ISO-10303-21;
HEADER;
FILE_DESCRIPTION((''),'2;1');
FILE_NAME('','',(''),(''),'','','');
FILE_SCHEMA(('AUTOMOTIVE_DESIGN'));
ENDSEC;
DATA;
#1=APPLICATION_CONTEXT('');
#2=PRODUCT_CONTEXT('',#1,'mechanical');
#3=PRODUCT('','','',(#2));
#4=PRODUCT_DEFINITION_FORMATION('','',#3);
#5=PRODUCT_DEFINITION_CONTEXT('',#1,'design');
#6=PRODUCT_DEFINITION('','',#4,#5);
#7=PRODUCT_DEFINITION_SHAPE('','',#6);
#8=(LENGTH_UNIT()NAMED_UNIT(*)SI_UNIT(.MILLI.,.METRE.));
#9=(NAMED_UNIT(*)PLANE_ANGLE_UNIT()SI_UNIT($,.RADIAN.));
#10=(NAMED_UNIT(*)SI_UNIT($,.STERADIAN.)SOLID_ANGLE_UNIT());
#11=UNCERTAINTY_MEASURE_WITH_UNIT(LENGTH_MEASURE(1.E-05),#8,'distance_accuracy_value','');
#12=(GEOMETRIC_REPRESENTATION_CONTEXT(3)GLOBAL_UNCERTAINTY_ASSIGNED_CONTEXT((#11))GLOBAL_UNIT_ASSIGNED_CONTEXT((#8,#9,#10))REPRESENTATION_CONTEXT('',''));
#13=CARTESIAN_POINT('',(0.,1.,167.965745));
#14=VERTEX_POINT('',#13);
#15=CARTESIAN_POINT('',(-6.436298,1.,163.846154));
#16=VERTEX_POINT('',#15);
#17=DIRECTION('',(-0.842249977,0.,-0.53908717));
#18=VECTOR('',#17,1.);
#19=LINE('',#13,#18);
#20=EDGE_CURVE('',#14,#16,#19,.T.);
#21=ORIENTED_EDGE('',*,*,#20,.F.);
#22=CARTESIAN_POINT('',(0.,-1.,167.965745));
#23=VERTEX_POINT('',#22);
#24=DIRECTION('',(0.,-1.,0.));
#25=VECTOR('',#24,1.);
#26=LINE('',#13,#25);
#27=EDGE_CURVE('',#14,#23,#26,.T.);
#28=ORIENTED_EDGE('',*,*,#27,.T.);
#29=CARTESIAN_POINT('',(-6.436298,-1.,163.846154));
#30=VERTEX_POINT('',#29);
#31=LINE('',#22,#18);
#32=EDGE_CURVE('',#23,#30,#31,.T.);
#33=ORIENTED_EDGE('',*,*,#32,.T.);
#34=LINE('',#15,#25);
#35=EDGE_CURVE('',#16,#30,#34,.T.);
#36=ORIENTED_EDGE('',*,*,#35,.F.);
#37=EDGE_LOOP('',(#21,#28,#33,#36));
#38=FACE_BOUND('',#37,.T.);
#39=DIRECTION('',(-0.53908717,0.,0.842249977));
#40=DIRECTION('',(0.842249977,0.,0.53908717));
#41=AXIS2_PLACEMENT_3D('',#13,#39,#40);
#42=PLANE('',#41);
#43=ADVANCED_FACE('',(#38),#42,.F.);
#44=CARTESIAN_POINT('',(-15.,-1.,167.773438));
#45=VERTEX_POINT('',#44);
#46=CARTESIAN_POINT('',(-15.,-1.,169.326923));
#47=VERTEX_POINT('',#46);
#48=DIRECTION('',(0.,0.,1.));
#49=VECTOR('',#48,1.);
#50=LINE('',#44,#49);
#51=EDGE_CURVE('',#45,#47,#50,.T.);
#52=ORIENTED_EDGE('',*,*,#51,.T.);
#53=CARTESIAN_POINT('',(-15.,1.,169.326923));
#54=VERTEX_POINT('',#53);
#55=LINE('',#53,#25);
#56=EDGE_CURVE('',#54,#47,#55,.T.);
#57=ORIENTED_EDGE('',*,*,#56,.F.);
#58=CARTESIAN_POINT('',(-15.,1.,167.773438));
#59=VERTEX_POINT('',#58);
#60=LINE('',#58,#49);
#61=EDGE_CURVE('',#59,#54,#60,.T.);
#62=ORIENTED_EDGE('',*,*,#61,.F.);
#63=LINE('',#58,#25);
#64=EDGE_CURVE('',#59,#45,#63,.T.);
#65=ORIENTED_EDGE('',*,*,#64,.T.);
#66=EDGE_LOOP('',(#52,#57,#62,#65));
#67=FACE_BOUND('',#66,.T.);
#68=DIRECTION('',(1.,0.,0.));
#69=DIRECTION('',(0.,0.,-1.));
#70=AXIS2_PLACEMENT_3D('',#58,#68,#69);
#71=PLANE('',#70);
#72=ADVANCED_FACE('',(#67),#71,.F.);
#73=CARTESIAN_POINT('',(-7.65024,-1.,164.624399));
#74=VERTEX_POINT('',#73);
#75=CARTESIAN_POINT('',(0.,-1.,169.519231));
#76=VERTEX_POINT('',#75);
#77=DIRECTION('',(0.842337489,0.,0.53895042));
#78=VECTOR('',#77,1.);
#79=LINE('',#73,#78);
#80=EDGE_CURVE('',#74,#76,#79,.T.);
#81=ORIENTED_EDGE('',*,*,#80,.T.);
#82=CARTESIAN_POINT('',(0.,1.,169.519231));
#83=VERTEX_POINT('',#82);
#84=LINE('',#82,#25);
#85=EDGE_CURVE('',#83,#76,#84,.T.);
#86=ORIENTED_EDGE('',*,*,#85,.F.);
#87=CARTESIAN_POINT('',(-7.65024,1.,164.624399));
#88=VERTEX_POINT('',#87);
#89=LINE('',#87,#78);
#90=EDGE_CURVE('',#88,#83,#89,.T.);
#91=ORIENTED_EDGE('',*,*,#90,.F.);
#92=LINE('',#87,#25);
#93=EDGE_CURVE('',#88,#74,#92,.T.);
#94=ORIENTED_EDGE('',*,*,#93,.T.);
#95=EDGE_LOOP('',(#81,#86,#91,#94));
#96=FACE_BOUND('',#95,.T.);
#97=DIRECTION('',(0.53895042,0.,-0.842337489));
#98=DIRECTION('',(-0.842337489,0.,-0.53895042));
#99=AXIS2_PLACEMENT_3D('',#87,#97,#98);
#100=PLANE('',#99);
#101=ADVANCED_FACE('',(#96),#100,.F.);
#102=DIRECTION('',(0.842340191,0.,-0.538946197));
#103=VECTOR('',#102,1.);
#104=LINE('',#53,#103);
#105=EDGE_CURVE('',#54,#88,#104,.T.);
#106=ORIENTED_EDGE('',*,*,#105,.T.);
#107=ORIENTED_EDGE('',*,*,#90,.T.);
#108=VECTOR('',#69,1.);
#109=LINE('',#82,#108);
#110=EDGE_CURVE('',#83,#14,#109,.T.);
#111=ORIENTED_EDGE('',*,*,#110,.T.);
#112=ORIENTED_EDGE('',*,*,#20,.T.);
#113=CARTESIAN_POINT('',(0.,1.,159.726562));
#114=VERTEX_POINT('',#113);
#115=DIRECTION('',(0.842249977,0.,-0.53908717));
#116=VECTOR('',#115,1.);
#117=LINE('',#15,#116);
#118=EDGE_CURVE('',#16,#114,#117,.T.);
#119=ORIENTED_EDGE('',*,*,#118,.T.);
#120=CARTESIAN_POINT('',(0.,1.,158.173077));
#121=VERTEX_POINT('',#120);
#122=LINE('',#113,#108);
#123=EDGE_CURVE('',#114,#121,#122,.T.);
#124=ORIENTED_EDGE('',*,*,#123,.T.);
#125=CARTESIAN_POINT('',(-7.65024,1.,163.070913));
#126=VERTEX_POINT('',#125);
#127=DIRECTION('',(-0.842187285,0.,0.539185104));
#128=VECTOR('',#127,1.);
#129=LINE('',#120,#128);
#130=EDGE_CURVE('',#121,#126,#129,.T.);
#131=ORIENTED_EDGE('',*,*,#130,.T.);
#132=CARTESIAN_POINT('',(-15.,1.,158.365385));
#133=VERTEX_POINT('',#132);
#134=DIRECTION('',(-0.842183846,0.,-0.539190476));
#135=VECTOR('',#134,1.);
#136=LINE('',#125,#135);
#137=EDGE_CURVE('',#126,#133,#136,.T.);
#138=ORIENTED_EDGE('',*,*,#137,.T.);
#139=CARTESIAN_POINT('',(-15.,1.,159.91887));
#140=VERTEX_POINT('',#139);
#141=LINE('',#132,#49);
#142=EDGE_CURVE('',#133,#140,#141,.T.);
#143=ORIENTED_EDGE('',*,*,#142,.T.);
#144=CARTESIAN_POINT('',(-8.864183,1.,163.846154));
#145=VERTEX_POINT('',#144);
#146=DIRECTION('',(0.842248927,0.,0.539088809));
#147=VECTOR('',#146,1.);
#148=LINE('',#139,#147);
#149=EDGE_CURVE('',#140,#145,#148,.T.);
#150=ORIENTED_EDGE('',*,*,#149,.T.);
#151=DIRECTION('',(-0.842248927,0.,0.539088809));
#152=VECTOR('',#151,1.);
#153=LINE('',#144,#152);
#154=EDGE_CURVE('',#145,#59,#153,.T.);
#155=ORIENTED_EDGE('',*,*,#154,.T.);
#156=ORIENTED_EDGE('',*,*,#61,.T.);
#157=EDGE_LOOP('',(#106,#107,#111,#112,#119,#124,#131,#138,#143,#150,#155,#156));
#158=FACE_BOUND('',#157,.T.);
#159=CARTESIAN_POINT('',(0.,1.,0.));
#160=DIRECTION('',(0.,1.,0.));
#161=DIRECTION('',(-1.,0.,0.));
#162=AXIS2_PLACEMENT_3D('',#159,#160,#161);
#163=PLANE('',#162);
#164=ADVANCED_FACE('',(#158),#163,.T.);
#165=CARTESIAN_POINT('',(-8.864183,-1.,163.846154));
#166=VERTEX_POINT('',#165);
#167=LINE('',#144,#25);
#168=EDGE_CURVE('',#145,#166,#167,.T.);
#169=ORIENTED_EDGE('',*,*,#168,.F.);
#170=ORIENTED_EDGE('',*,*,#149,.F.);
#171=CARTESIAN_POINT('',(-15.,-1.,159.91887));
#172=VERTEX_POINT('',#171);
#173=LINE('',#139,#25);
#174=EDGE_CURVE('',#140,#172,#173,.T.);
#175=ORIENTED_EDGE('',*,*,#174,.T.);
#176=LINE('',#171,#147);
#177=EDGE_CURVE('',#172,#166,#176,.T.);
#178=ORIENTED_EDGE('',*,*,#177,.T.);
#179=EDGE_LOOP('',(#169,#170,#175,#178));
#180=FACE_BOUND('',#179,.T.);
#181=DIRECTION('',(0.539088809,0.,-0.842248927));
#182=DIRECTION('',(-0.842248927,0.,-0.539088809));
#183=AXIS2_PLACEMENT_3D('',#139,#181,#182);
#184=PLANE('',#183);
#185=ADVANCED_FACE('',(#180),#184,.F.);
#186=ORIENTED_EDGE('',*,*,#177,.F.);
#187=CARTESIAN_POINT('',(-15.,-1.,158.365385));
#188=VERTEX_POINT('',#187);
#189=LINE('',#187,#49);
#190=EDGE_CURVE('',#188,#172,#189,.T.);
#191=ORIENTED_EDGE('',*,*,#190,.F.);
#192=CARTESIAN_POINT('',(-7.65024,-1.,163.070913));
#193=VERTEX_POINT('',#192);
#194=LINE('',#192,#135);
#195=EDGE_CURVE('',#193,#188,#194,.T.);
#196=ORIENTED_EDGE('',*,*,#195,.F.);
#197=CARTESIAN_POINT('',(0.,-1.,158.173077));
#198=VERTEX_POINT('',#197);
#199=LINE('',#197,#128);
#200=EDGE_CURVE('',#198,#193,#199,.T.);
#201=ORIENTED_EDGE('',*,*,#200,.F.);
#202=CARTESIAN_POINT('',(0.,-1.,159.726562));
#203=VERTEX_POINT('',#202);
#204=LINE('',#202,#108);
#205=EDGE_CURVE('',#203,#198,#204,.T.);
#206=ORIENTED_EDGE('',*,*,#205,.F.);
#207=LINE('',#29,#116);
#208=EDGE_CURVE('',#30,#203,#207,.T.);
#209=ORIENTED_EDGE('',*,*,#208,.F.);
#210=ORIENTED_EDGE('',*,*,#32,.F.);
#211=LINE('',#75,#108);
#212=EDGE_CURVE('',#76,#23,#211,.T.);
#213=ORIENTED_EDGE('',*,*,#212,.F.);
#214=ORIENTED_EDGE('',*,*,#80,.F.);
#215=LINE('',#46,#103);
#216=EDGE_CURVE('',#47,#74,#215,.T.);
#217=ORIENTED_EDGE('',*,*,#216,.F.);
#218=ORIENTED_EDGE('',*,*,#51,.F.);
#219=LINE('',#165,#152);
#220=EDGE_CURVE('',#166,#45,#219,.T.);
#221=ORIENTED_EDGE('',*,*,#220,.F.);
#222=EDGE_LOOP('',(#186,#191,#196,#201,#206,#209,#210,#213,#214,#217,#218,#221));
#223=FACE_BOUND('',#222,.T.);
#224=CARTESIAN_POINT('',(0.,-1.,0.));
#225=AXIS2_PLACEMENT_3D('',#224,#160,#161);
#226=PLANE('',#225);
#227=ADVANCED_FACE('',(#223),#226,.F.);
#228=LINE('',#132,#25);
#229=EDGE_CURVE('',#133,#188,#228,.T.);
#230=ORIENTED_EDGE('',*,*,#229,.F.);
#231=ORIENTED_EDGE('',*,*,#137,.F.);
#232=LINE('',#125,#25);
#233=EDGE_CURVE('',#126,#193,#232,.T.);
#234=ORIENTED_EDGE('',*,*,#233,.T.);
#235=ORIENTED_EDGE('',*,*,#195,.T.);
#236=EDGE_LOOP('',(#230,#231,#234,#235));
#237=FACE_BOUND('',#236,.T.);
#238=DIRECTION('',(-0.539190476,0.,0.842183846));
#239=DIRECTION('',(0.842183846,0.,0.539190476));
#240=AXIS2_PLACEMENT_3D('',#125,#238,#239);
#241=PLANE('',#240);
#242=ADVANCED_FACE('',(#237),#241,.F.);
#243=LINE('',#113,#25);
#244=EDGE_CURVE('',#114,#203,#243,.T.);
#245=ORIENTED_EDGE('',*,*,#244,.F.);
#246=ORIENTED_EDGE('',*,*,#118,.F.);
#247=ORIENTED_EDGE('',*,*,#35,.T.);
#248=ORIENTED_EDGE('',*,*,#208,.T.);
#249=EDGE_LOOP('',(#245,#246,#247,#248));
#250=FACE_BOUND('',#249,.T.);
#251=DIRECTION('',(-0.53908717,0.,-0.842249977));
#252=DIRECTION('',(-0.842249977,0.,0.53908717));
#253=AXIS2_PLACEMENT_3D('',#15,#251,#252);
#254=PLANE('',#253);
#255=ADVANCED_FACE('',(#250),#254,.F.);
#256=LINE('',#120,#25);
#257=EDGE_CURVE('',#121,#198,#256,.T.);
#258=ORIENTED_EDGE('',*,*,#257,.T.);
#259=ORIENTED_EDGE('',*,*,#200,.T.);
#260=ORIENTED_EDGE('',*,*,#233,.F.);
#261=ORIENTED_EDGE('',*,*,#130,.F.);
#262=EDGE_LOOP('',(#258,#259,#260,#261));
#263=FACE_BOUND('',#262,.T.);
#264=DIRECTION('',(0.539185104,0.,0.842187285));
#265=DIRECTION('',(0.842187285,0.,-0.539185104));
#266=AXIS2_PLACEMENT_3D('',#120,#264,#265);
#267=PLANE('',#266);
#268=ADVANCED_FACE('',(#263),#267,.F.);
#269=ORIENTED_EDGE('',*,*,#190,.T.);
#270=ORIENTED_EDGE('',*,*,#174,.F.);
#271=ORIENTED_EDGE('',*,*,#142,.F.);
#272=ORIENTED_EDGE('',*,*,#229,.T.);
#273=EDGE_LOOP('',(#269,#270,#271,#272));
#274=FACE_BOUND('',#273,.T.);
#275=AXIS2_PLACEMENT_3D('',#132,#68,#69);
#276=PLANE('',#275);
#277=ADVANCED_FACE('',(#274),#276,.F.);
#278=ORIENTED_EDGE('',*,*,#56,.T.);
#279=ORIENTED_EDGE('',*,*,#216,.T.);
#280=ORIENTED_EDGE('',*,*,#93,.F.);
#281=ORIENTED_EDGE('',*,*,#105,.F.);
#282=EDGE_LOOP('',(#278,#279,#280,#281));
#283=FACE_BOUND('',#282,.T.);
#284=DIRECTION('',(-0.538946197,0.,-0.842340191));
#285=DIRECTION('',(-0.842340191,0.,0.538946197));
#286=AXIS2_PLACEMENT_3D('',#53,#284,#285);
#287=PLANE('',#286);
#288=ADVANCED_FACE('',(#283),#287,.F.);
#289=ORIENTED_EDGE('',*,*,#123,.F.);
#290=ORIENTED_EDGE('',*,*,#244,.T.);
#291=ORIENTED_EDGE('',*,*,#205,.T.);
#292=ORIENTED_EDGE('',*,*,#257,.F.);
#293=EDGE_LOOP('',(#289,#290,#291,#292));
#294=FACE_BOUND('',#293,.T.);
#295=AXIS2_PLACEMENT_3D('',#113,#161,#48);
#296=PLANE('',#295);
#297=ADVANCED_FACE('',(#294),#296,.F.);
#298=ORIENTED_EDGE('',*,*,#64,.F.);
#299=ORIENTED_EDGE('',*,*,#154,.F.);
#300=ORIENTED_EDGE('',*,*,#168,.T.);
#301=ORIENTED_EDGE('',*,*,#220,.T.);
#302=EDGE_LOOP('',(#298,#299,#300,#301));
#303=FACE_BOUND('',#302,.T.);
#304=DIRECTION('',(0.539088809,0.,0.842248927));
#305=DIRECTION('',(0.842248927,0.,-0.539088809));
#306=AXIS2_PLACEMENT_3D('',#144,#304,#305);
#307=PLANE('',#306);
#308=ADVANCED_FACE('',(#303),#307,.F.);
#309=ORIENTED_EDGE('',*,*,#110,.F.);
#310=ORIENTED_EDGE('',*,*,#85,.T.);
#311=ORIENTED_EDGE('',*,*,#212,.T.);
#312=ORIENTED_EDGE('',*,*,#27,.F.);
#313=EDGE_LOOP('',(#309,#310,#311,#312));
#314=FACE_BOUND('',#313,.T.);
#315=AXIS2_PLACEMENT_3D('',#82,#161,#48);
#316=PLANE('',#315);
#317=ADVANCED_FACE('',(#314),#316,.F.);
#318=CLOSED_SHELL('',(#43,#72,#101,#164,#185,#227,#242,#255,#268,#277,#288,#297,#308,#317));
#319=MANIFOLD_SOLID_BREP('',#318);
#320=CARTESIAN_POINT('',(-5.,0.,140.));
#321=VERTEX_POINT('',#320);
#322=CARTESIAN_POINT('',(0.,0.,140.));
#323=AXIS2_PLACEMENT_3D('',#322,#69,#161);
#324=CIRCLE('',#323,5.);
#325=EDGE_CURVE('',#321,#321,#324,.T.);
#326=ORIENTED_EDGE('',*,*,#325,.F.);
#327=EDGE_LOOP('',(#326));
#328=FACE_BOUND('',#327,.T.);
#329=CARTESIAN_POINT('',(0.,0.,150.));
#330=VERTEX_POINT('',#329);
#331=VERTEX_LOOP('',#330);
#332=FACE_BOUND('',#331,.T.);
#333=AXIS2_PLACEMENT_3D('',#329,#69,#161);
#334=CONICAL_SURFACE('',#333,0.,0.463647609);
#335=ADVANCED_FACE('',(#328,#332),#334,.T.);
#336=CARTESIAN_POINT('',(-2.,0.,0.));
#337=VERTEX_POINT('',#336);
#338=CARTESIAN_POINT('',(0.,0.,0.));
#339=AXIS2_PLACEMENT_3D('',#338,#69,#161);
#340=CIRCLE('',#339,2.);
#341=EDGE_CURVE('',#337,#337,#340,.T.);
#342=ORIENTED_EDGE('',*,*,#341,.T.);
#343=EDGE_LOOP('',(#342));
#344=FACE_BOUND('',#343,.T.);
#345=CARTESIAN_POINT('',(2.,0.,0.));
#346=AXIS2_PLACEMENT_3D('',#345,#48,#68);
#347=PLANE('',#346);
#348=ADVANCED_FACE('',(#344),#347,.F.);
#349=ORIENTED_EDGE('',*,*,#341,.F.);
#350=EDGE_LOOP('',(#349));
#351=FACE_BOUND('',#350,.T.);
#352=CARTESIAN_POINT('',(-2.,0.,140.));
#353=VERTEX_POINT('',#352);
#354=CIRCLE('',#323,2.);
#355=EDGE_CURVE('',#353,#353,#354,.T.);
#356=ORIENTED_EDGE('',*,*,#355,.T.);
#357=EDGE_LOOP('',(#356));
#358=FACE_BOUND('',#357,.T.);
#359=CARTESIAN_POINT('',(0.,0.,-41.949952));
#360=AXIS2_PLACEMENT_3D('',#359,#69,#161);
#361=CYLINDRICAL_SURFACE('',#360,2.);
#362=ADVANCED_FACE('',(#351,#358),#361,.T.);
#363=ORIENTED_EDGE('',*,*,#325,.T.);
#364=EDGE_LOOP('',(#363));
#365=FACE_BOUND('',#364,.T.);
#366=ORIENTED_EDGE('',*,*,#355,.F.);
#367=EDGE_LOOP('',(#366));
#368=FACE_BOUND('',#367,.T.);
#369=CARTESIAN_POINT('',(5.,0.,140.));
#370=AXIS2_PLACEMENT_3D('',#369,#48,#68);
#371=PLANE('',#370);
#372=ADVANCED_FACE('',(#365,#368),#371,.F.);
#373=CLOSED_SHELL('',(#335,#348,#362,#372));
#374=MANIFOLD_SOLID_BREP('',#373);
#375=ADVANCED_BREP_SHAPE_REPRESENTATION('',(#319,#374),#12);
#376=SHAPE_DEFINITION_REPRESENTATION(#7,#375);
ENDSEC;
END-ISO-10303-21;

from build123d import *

# Parameters (mm, degrees)
BOSS_EXTRUDE1_DEPTH      = 1
BOSS_EXTRUDE1_DEPTH_BACK = 1


with BuildPart() as part:
    # Sketch2 → Revolve1 (revolve)
    with BuildSketch(Plane(origin=(0, 0, 0), x_dir=(1, 0, 0), z_dir=(0, 1, 0))):
        Polygon((0, -150), (5, -140), (2, -140), (2, 0), (0, 0), align=None)
    revolve(axis=Axis((0, 0, -41.949952025), (0, 0, 1)))


with BuildPart() as body_2:
    # Sketch3 → Boss-Extrude1 (new, two sides: drawn at the far end of the back side and taken through both)
    with BuildSketch(Plane(origin=(0, 0, 0), x_dir=(1, 0, 0), z_dir=(0, 1, 0)).offset(-BOSS_EXTRUDE1_DEPTH_BACK)):
        Polygon((-15, -158.365384615), (-15, -159.918870192), (-8.864182692, -163.846153846), (-15, -167.7734375), (-15, -169.326923077), (-7.650240385, -164.624399038), (0, -169.519230769), (0, -167.965745192), (-6.436298077, -163.846153846), (0, -159.7265625), (0, -158.173076923), (-7.650240385, -163.070913462), align=None)
    extrude(amount=BOSS_EXTRUDE1_DEPTH + BOSS_EXTRUDE1_DEPTH_BACK)


solid = Compound([part.part, body_2.part])
